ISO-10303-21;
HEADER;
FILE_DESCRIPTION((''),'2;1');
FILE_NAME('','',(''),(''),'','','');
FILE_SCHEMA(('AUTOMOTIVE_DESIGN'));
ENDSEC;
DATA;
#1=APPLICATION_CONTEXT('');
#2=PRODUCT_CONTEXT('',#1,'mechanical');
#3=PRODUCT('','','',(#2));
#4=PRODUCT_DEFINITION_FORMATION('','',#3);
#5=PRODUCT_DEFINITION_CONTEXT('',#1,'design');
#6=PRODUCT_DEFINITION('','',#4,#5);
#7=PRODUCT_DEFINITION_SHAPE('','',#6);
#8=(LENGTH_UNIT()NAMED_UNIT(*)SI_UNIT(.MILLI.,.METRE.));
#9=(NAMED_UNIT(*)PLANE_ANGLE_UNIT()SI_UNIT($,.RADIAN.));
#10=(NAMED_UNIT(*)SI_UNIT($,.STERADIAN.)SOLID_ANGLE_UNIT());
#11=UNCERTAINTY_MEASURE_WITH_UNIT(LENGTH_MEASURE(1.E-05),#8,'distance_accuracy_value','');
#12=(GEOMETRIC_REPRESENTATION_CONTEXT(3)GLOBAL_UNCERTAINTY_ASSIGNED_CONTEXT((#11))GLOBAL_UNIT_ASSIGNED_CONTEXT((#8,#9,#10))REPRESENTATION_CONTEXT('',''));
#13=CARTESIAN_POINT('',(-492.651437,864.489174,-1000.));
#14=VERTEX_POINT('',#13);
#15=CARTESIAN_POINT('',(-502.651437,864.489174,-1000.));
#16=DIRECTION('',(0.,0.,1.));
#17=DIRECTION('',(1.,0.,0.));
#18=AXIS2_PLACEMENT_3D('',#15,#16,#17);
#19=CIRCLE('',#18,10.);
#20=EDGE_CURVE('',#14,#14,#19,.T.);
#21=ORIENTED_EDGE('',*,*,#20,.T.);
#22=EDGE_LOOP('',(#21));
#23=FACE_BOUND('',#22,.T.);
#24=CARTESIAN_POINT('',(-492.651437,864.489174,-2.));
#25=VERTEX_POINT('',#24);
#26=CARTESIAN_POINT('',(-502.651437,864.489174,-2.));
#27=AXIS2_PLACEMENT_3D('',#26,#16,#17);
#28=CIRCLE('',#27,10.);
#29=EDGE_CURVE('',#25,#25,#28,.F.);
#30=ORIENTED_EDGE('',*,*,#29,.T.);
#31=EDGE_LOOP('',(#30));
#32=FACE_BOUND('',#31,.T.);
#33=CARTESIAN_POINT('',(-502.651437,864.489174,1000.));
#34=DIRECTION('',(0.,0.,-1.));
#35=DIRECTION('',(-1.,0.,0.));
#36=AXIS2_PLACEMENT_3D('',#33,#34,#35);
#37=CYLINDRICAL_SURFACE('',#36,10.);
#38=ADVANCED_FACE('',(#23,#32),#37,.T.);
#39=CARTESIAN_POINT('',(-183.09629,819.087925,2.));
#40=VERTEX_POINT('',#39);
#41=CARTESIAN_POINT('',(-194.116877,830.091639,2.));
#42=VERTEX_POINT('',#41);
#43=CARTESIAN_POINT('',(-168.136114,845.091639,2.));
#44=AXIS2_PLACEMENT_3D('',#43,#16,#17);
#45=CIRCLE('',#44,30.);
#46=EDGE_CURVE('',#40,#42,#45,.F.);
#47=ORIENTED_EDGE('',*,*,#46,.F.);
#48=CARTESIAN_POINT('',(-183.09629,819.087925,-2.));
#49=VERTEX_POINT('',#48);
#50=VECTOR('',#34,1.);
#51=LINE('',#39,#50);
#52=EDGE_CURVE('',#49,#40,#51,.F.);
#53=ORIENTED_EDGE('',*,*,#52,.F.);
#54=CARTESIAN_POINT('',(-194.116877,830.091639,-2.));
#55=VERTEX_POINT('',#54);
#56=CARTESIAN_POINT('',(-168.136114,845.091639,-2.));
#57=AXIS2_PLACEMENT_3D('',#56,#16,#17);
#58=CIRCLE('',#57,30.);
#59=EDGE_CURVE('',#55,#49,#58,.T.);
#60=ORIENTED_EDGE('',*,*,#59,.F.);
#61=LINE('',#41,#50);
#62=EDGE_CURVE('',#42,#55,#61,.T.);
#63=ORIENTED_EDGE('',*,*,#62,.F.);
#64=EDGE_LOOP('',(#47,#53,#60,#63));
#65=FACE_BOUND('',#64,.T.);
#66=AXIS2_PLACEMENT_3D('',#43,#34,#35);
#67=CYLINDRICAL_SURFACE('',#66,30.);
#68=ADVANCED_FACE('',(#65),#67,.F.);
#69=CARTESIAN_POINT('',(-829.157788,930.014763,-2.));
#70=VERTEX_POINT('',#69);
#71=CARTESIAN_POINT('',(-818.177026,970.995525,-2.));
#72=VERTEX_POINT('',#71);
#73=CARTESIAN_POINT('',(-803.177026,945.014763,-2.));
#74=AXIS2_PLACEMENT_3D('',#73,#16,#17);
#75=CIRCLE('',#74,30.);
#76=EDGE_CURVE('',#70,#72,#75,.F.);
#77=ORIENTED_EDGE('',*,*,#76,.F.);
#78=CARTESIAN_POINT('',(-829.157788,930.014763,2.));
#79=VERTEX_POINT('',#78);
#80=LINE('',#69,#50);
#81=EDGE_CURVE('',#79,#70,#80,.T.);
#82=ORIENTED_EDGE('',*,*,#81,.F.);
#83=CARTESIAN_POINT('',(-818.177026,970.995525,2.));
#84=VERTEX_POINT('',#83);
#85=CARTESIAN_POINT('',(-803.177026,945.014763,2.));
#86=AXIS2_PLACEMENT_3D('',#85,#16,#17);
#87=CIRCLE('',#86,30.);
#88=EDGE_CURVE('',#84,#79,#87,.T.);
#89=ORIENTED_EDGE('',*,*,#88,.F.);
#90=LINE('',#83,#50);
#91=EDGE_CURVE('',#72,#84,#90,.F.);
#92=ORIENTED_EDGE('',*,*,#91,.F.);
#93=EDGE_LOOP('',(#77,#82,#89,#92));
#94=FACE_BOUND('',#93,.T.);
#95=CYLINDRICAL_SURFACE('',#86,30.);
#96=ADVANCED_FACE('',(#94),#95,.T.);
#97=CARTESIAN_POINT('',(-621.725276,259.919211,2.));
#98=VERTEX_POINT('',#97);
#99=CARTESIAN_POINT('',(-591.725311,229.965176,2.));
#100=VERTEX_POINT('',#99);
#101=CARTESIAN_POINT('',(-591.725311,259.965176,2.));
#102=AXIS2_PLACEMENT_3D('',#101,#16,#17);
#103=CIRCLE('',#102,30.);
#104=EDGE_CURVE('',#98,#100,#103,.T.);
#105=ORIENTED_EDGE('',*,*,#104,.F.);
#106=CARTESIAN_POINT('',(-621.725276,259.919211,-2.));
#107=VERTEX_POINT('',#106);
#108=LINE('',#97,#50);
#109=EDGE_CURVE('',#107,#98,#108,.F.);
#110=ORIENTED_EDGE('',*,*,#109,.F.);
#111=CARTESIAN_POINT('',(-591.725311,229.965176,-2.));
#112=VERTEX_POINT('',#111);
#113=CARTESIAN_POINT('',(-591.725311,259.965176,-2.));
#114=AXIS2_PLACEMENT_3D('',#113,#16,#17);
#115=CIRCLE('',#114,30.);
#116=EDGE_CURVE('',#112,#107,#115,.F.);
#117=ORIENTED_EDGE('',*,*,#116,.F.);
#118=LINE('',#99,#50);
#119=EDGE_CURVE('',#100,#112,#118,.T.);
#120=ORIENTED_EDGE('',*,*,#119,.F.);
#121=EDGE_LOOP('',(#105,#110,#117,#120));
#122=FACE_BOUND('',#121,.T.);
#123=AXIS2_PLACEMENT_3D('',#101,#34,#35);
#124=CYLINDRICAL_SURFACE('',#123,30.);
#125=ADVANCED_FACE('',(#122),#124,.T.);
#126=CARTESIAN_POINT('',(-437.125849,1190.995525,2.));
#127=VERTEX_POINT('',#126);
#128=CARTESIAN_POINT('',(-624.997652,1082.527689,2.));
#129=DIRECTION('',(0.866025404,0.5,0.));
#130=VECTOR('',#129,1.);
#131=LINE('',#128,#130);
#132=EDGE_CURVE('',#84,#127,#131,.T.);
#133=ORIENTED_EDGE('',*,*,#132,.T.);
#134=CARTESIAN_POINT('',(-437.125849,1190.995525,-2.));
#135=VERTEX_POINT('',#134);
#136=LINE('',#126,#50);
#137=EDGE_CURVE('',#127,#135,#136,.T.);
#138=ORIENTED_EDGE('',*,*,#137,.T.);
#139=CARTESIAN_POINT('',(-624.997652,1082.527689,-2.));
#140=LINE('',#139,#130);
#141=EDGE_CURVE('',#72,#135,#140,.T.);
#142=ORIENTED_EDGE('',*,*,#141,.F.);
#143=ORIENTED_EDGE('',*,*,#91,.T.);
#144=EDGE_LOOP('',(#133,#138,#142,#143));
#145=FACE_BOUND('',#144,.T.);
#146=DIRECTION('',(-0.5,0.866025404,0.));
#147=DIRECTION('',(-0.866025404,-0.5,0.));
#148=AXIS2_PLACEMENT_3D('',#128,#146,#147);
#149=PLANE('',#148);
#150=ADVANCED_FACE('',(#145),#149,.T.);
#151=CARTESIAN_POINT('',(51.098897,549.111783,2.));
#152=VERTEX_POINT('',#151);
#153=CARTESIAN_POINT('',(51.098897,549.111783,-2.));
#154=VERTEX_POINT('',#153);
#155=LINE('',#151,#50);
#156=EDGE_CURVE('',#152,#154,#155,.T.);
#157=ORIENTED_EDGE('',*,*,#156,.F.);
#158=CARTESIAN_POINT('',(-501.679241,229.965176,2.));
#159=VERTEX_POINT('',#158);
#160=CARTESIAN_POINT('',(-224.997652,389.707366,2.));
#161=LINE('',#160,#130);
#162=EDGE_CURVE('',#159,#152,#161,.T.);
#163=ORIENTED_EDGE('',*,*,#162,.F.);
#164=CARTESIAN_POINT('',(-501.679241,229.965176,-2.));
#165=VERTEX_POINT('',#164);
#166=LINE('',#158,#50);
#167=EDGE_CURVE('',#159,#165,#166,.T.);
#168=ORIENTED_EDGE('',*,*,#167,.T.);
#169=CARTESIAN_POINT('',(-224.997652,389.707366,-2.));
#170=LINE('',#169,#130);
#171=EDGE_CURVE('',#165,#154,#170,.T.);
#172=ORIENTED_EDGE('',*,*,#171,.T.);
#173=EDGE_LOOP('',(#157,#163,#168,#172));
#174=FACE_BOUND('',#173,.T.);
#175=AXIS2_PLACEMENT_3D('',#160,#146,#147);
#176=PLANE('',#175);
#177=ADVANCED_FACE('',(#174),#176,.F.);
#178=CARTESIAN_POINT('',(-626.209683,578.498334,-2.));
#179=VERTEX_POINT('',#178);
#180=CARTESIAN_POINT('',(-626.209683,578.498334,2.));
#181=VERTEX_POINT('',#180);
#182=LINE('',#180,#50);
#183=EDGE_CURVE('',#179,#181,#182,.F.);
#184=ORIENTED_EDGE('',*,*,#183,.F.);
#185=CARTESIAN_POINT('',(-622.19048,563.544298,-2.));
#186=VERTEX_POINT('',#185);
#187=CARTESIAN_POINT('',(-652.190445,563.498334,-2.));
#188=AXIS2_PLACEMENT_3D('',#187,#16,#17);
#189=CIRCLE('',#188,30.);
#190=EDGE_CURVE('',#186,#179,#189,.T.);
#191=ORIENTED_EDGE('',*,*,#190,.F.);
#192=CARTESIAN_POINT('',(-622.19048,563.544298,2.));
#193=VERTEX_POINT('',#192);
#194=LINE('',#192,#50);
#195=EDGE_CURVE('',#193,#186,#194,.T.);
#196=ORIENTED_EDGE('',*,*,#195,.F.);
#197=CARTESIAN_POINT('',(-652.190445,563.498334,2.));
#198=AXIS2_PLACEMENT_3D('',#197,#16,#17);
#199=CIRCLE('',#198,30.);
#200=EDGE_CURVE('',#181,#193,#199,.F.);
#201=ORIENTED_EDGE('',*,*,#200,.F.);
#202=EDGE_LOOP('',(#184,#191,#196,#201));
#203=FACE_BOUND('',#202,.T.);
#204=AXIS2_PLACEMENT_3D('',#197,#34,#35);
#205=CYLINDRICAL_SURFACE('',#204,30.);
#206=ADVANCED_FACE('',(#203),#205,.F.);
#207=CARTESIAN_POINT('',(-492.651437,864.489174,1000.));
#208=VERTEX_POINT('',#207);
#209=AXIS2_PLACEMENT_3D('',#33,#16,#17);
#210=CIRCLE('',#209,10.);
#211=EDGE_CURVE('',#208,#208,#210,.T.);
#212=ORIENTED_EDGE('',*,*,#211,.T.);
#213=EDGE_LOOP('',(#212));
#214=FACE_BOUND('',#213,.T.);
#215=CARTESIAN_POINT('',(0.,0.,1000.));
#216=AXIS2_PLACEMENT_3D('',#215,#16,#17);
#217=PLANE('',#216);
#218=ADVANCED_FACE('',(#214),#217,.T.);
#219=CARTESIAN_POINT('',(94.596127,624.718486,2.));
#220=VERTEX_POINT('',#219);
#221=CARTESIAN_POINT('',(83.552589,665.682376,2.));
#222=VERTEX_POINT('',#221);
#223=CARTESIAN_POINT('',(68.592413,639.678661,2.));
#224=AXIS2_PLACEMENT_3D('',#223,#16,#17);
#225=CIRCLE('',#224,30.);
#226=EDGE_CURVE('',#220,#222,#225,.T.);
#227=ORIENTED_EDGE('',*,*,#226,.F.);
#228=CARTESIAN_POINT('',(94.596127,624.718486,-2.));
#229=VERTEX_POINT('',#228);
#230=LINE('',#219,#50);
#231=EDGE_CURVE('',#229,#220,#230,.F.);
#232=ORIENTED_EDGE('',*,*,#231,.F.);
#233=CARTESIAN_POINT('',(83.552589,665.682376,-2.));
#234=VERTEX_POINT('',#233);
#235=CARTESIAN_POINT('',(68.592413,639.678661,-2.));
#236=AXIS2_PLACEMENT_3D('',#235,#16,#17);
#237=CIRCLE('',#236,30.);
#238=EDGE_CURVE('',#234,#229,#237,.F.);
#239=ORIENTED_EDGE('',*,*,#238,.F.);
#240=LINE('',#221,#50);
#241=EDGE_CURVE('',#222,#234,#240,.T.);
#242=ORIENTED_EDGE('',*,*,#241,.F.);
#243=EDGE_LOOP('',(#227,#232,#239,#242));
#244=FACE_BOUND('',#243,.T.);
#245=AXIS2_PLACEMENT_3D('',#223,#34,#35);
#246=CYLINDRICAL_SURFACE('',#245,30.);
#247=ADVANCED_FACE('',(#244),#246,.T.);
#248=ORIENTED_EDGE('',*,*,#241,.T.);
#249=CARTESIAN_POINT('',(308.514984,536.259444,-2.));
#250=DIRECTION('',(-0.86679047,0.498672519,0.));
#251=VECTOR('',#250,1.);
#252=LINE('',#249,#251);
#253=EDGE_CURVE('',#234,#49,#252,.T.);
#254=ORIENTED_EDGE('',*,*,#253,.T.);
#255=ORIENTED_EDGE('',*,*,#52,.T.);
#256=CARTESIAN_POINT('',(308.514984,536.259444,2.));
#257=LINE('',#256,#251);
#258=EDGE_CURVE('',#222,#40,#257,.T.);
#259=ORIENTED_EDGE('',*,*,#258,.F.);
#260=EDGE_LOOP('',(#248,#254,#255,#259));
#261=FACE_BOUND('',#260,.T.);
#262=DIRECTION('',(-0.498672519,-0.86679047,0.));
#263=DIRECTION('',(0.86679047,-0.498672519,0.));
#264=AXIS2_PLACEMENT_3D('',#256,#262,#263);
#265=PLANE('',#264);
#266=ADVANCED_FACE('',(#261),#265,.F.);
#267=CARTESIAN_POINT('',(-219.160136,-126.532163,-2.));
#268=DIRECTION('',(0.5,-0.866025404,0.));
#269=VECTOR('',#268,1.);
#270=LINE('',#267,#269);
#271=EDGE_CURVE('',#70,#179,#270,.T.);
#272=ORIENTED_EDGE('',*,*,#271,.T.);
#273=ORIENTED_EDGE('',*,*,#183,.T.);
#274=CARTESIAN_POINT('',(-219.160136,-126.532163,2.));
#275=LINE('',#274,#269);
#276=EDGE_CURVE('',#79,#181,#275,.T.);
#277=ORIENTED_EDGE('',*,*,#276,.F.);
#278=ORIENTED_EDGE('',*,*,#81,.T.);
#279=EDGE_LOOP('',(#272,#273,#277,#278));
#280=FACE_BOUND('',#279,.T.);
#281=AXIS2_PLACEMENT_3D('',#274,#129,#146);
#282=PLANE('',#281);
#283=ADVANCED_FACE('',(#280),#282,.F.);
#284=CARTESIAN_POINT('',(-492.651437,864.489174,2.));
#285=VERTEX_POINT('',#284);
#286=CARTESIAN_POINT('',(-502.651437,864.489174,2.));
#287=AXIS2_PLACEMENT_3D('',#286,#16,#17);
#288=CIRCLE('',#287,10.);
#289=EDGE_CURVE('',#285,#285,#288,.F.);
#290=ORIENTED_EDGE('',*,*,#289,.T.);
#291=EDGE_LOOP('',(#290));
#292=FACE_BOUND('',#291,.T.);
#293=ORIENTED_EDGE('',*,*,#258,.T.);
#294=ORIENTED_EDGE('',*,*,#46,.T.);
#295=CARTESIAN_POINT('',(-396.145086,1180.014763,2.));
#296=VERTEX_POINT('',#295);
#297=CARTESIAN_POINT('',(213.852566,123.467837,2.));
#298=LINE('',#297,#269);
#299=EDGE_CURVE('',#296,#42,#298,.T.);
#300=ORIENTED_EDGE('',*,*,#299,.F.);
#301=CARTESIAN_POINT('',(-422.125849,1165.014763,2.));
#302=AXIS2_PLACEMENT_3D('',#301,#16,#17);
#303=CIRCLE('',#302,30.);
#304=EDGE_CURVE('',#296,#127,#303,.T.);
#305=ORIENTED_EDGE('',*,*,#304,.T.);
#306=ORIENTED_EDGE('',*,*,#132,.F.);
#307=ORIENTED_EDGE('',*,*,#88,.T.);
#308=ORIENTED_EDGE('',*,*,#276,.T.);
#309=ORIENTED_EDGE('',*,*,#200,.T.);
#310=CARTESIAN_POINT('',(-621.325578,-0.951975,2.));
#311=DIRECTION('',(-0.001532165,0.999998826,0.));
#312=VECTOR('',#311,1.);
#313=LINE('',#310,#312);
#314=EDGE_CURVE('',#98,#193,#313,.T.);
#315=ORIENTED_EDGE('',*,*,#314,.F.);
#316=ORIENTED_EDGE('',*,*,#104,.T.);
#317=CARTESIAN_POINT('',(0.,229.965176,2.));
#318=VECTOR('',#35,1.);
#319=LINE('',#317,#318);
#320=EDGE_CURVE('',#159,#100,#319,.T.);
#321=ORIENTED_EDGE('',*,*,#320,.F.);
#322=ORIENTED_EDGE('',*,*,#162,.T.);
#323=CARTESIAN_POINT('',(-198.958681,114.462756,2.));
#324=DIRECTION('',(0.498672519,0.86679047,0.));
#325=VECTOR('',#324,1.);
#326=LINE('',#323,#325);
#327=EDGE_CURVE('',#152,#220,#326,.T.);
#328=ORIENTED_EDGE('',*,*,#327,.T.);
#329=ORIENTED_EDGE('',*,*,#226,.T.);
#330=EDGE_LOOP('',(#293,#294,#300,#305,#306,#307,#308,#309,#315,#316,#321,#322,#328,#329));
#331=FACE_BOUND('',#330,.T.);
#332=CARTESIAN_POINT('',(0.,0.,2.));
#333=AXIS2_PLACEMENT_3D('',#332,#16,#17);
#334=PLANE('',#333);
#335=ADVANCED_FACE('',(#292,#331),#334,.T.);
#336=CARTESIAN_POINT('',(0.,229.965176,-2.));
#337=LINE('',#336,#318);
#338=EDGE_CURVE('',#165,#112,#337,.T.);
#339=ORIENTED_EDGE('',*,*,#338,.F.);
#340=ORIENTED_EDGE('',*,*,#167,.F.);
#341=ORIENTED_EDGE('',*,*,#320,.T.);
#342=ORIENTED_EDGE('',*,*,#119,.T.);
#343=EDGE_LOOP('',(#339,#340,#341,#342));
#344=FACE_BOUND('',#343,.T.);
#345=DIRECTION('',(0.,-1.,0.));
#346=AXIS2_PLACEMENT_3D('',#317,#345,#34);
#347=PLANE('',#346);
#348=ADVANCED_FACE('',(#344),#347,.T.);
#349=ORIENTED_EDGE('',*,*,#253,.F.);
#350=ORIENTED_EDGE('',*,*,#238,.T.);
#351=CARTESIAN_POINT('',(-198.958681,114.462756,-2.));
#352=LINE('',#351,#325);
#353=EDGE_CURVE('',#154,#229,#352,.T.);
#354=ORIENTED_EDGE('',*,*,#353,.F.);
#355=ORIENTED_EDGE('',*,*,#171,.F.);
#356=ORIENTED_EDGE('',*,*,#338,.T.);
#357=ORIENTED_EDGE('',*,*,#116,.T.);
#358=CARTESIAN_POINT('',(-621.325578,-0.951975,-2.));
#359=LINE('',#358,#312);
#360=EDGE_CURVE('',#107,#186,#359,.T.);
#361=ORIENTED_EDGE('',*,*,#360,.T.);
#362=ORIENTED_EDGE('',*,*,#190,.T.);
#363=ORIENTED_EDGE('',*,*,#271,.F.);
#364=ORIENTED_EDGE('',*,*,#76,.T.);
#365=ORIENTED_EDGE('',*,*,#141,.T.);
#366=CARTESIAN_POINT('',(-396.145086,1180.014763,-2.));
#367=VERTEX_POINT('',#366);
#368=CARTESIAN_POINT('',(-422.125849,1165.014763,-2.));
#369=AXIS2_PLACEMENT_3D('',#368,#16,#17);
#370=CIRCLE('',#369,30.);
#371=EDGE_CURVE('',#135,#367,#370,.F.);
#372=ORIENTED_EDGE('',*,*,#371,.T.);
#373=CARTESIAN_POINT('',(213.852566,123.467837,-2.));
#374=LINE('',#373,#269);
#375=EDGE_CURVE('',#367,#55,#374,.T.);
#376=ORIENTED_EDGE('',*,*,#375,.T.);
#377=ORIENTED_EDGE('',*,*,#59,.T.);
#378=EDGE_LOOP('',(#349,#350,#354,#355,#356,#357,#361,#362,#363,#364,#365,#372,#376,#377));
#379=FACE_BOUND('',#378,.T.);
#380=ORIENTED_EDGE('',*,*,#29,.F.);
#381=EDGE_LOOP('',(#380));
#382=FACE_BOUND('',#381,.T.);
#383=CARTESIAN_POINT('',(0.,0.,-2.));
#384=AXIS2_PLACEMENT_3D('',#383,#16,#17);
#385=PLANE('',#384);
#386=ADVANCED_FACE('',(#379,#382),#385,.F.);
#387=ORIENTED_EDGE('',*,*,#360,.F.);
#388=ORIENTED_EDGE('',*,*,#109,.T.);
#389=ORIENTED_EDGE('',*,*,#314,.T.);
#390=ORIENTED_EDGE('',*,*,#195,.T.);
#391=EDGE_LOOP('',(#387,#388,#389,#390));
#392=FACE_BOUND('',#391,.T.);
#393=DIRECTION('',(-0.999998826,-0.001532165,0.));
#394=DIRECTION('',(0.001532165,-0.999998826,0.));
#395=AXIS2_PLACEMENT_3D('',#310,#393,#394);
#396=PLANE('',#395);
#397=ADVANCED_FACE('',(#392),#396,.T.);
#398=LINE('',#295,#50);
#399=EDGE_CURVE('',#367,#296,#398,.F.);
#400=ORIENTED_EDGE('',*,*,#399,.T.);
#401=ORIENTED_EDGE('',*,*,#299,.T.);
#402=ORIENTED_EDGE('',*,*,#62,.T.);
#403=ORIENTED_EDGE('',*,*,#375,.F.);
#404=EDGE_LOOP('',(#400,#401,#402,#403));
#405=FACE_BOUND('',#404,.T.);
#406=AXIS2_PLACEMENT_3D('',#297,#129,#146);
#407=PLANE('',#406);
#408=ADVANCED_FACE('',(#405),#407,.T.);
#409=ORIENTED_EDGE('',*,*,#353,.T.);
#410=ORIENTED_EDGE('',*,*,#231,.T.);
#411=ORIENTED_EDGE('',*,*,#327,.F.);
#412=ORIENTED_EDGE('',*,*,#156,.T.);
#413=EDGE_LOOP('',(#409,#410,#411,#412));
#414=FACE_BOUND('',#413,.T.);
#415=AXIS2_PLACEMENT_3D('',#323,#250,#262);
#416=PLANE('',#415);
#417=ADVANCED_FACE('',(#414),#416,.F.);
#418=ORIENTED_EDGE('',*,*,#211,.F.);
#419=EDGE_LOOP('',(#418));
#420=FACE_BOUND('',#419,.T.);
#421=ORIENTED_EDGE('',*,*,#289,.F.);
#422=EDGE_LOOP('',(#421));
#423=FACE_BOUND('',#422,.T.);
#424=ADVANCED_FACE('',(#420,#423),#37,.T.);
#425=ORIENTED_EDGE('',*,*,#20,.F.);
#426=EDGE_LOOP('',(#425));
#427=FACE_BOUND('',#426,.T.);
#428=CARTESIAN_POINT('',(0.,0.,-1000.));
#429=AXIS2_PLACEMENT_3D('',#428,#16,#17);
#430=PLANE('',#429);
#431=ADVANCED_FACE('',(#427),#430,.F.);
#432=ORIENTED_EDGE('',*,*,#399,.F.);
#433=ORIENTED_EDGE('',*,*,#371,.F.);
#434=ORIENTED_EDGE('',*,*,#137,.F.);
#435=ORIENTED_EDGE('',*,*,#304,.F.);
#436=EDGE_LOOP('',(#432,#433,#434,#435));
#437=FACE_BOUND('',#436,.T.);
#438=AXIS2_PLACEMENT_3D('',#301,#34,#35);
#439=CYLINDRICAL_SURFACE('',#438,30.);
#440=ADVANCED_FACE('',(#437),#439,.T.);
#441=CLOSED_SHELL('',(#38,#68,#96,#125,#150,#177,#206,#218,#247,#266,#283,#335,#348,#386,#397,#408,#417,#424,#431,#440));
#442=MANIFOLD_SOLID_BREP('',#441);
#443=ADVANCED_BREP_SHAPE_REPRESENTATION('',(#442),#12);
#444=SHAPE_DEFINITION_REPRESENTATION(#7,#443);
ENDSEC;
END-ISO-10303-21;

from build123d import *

# Parameters (mm, degrees)
BOSS_EXTRUDE1_DEPTH = 2
SKETCH1_4_R         = 10
BOSS_EXTRUDE2_DEPTH = 1000
FILLET1_R           = 30


with BuildPart() as part:
    # Sketch1 → Boss-Extrude1 (new, symmetric)
    with BuildSketch(Plane.XY):
        Polygon((51.098896592, 549.111782584), (109.556303029, 650.722199952), (-190.085319823, 823.108777884), (-411.145086474, 1205.995525233), (-844.157788367, 955.995525233), (-622.202758989, 571.558137356), (-621.679381509, 229.965176242), (-501.679240657, 229.965176242), align=None)
    extrude(amount=BOSS_EXTRUDE1_DEPTH, both=True)

    # Sketch1<4> → Boss-Extrude2 (add, symmetric)
    with BuildSketch(Plane.XY):
        with Locations((-502.65143742, 864.489174287)):
            Circle(SKETCH1_4_R)
    extrude(amount=BOSS_EXTRUDE2_DEPTH, both=True)

    # Fillet1
    fillet1_edges = [part.edges().sort_by_distance(p)[0] for p in [
        (-190.085319823, 823.108777884, 0),
        (-622.202758989, 571.558137356, 0),
        (-621.679381509, 229.965176242, 0),
        (109.556303029, 650.722199952, 0),
        (-411.145086474, 1205.995525233, 0),
        (-844.157788367, 955.995525233, 0),
    ]]
    fillet(fillet1_edges, radius=FILLET1_R)


solid = part.part
